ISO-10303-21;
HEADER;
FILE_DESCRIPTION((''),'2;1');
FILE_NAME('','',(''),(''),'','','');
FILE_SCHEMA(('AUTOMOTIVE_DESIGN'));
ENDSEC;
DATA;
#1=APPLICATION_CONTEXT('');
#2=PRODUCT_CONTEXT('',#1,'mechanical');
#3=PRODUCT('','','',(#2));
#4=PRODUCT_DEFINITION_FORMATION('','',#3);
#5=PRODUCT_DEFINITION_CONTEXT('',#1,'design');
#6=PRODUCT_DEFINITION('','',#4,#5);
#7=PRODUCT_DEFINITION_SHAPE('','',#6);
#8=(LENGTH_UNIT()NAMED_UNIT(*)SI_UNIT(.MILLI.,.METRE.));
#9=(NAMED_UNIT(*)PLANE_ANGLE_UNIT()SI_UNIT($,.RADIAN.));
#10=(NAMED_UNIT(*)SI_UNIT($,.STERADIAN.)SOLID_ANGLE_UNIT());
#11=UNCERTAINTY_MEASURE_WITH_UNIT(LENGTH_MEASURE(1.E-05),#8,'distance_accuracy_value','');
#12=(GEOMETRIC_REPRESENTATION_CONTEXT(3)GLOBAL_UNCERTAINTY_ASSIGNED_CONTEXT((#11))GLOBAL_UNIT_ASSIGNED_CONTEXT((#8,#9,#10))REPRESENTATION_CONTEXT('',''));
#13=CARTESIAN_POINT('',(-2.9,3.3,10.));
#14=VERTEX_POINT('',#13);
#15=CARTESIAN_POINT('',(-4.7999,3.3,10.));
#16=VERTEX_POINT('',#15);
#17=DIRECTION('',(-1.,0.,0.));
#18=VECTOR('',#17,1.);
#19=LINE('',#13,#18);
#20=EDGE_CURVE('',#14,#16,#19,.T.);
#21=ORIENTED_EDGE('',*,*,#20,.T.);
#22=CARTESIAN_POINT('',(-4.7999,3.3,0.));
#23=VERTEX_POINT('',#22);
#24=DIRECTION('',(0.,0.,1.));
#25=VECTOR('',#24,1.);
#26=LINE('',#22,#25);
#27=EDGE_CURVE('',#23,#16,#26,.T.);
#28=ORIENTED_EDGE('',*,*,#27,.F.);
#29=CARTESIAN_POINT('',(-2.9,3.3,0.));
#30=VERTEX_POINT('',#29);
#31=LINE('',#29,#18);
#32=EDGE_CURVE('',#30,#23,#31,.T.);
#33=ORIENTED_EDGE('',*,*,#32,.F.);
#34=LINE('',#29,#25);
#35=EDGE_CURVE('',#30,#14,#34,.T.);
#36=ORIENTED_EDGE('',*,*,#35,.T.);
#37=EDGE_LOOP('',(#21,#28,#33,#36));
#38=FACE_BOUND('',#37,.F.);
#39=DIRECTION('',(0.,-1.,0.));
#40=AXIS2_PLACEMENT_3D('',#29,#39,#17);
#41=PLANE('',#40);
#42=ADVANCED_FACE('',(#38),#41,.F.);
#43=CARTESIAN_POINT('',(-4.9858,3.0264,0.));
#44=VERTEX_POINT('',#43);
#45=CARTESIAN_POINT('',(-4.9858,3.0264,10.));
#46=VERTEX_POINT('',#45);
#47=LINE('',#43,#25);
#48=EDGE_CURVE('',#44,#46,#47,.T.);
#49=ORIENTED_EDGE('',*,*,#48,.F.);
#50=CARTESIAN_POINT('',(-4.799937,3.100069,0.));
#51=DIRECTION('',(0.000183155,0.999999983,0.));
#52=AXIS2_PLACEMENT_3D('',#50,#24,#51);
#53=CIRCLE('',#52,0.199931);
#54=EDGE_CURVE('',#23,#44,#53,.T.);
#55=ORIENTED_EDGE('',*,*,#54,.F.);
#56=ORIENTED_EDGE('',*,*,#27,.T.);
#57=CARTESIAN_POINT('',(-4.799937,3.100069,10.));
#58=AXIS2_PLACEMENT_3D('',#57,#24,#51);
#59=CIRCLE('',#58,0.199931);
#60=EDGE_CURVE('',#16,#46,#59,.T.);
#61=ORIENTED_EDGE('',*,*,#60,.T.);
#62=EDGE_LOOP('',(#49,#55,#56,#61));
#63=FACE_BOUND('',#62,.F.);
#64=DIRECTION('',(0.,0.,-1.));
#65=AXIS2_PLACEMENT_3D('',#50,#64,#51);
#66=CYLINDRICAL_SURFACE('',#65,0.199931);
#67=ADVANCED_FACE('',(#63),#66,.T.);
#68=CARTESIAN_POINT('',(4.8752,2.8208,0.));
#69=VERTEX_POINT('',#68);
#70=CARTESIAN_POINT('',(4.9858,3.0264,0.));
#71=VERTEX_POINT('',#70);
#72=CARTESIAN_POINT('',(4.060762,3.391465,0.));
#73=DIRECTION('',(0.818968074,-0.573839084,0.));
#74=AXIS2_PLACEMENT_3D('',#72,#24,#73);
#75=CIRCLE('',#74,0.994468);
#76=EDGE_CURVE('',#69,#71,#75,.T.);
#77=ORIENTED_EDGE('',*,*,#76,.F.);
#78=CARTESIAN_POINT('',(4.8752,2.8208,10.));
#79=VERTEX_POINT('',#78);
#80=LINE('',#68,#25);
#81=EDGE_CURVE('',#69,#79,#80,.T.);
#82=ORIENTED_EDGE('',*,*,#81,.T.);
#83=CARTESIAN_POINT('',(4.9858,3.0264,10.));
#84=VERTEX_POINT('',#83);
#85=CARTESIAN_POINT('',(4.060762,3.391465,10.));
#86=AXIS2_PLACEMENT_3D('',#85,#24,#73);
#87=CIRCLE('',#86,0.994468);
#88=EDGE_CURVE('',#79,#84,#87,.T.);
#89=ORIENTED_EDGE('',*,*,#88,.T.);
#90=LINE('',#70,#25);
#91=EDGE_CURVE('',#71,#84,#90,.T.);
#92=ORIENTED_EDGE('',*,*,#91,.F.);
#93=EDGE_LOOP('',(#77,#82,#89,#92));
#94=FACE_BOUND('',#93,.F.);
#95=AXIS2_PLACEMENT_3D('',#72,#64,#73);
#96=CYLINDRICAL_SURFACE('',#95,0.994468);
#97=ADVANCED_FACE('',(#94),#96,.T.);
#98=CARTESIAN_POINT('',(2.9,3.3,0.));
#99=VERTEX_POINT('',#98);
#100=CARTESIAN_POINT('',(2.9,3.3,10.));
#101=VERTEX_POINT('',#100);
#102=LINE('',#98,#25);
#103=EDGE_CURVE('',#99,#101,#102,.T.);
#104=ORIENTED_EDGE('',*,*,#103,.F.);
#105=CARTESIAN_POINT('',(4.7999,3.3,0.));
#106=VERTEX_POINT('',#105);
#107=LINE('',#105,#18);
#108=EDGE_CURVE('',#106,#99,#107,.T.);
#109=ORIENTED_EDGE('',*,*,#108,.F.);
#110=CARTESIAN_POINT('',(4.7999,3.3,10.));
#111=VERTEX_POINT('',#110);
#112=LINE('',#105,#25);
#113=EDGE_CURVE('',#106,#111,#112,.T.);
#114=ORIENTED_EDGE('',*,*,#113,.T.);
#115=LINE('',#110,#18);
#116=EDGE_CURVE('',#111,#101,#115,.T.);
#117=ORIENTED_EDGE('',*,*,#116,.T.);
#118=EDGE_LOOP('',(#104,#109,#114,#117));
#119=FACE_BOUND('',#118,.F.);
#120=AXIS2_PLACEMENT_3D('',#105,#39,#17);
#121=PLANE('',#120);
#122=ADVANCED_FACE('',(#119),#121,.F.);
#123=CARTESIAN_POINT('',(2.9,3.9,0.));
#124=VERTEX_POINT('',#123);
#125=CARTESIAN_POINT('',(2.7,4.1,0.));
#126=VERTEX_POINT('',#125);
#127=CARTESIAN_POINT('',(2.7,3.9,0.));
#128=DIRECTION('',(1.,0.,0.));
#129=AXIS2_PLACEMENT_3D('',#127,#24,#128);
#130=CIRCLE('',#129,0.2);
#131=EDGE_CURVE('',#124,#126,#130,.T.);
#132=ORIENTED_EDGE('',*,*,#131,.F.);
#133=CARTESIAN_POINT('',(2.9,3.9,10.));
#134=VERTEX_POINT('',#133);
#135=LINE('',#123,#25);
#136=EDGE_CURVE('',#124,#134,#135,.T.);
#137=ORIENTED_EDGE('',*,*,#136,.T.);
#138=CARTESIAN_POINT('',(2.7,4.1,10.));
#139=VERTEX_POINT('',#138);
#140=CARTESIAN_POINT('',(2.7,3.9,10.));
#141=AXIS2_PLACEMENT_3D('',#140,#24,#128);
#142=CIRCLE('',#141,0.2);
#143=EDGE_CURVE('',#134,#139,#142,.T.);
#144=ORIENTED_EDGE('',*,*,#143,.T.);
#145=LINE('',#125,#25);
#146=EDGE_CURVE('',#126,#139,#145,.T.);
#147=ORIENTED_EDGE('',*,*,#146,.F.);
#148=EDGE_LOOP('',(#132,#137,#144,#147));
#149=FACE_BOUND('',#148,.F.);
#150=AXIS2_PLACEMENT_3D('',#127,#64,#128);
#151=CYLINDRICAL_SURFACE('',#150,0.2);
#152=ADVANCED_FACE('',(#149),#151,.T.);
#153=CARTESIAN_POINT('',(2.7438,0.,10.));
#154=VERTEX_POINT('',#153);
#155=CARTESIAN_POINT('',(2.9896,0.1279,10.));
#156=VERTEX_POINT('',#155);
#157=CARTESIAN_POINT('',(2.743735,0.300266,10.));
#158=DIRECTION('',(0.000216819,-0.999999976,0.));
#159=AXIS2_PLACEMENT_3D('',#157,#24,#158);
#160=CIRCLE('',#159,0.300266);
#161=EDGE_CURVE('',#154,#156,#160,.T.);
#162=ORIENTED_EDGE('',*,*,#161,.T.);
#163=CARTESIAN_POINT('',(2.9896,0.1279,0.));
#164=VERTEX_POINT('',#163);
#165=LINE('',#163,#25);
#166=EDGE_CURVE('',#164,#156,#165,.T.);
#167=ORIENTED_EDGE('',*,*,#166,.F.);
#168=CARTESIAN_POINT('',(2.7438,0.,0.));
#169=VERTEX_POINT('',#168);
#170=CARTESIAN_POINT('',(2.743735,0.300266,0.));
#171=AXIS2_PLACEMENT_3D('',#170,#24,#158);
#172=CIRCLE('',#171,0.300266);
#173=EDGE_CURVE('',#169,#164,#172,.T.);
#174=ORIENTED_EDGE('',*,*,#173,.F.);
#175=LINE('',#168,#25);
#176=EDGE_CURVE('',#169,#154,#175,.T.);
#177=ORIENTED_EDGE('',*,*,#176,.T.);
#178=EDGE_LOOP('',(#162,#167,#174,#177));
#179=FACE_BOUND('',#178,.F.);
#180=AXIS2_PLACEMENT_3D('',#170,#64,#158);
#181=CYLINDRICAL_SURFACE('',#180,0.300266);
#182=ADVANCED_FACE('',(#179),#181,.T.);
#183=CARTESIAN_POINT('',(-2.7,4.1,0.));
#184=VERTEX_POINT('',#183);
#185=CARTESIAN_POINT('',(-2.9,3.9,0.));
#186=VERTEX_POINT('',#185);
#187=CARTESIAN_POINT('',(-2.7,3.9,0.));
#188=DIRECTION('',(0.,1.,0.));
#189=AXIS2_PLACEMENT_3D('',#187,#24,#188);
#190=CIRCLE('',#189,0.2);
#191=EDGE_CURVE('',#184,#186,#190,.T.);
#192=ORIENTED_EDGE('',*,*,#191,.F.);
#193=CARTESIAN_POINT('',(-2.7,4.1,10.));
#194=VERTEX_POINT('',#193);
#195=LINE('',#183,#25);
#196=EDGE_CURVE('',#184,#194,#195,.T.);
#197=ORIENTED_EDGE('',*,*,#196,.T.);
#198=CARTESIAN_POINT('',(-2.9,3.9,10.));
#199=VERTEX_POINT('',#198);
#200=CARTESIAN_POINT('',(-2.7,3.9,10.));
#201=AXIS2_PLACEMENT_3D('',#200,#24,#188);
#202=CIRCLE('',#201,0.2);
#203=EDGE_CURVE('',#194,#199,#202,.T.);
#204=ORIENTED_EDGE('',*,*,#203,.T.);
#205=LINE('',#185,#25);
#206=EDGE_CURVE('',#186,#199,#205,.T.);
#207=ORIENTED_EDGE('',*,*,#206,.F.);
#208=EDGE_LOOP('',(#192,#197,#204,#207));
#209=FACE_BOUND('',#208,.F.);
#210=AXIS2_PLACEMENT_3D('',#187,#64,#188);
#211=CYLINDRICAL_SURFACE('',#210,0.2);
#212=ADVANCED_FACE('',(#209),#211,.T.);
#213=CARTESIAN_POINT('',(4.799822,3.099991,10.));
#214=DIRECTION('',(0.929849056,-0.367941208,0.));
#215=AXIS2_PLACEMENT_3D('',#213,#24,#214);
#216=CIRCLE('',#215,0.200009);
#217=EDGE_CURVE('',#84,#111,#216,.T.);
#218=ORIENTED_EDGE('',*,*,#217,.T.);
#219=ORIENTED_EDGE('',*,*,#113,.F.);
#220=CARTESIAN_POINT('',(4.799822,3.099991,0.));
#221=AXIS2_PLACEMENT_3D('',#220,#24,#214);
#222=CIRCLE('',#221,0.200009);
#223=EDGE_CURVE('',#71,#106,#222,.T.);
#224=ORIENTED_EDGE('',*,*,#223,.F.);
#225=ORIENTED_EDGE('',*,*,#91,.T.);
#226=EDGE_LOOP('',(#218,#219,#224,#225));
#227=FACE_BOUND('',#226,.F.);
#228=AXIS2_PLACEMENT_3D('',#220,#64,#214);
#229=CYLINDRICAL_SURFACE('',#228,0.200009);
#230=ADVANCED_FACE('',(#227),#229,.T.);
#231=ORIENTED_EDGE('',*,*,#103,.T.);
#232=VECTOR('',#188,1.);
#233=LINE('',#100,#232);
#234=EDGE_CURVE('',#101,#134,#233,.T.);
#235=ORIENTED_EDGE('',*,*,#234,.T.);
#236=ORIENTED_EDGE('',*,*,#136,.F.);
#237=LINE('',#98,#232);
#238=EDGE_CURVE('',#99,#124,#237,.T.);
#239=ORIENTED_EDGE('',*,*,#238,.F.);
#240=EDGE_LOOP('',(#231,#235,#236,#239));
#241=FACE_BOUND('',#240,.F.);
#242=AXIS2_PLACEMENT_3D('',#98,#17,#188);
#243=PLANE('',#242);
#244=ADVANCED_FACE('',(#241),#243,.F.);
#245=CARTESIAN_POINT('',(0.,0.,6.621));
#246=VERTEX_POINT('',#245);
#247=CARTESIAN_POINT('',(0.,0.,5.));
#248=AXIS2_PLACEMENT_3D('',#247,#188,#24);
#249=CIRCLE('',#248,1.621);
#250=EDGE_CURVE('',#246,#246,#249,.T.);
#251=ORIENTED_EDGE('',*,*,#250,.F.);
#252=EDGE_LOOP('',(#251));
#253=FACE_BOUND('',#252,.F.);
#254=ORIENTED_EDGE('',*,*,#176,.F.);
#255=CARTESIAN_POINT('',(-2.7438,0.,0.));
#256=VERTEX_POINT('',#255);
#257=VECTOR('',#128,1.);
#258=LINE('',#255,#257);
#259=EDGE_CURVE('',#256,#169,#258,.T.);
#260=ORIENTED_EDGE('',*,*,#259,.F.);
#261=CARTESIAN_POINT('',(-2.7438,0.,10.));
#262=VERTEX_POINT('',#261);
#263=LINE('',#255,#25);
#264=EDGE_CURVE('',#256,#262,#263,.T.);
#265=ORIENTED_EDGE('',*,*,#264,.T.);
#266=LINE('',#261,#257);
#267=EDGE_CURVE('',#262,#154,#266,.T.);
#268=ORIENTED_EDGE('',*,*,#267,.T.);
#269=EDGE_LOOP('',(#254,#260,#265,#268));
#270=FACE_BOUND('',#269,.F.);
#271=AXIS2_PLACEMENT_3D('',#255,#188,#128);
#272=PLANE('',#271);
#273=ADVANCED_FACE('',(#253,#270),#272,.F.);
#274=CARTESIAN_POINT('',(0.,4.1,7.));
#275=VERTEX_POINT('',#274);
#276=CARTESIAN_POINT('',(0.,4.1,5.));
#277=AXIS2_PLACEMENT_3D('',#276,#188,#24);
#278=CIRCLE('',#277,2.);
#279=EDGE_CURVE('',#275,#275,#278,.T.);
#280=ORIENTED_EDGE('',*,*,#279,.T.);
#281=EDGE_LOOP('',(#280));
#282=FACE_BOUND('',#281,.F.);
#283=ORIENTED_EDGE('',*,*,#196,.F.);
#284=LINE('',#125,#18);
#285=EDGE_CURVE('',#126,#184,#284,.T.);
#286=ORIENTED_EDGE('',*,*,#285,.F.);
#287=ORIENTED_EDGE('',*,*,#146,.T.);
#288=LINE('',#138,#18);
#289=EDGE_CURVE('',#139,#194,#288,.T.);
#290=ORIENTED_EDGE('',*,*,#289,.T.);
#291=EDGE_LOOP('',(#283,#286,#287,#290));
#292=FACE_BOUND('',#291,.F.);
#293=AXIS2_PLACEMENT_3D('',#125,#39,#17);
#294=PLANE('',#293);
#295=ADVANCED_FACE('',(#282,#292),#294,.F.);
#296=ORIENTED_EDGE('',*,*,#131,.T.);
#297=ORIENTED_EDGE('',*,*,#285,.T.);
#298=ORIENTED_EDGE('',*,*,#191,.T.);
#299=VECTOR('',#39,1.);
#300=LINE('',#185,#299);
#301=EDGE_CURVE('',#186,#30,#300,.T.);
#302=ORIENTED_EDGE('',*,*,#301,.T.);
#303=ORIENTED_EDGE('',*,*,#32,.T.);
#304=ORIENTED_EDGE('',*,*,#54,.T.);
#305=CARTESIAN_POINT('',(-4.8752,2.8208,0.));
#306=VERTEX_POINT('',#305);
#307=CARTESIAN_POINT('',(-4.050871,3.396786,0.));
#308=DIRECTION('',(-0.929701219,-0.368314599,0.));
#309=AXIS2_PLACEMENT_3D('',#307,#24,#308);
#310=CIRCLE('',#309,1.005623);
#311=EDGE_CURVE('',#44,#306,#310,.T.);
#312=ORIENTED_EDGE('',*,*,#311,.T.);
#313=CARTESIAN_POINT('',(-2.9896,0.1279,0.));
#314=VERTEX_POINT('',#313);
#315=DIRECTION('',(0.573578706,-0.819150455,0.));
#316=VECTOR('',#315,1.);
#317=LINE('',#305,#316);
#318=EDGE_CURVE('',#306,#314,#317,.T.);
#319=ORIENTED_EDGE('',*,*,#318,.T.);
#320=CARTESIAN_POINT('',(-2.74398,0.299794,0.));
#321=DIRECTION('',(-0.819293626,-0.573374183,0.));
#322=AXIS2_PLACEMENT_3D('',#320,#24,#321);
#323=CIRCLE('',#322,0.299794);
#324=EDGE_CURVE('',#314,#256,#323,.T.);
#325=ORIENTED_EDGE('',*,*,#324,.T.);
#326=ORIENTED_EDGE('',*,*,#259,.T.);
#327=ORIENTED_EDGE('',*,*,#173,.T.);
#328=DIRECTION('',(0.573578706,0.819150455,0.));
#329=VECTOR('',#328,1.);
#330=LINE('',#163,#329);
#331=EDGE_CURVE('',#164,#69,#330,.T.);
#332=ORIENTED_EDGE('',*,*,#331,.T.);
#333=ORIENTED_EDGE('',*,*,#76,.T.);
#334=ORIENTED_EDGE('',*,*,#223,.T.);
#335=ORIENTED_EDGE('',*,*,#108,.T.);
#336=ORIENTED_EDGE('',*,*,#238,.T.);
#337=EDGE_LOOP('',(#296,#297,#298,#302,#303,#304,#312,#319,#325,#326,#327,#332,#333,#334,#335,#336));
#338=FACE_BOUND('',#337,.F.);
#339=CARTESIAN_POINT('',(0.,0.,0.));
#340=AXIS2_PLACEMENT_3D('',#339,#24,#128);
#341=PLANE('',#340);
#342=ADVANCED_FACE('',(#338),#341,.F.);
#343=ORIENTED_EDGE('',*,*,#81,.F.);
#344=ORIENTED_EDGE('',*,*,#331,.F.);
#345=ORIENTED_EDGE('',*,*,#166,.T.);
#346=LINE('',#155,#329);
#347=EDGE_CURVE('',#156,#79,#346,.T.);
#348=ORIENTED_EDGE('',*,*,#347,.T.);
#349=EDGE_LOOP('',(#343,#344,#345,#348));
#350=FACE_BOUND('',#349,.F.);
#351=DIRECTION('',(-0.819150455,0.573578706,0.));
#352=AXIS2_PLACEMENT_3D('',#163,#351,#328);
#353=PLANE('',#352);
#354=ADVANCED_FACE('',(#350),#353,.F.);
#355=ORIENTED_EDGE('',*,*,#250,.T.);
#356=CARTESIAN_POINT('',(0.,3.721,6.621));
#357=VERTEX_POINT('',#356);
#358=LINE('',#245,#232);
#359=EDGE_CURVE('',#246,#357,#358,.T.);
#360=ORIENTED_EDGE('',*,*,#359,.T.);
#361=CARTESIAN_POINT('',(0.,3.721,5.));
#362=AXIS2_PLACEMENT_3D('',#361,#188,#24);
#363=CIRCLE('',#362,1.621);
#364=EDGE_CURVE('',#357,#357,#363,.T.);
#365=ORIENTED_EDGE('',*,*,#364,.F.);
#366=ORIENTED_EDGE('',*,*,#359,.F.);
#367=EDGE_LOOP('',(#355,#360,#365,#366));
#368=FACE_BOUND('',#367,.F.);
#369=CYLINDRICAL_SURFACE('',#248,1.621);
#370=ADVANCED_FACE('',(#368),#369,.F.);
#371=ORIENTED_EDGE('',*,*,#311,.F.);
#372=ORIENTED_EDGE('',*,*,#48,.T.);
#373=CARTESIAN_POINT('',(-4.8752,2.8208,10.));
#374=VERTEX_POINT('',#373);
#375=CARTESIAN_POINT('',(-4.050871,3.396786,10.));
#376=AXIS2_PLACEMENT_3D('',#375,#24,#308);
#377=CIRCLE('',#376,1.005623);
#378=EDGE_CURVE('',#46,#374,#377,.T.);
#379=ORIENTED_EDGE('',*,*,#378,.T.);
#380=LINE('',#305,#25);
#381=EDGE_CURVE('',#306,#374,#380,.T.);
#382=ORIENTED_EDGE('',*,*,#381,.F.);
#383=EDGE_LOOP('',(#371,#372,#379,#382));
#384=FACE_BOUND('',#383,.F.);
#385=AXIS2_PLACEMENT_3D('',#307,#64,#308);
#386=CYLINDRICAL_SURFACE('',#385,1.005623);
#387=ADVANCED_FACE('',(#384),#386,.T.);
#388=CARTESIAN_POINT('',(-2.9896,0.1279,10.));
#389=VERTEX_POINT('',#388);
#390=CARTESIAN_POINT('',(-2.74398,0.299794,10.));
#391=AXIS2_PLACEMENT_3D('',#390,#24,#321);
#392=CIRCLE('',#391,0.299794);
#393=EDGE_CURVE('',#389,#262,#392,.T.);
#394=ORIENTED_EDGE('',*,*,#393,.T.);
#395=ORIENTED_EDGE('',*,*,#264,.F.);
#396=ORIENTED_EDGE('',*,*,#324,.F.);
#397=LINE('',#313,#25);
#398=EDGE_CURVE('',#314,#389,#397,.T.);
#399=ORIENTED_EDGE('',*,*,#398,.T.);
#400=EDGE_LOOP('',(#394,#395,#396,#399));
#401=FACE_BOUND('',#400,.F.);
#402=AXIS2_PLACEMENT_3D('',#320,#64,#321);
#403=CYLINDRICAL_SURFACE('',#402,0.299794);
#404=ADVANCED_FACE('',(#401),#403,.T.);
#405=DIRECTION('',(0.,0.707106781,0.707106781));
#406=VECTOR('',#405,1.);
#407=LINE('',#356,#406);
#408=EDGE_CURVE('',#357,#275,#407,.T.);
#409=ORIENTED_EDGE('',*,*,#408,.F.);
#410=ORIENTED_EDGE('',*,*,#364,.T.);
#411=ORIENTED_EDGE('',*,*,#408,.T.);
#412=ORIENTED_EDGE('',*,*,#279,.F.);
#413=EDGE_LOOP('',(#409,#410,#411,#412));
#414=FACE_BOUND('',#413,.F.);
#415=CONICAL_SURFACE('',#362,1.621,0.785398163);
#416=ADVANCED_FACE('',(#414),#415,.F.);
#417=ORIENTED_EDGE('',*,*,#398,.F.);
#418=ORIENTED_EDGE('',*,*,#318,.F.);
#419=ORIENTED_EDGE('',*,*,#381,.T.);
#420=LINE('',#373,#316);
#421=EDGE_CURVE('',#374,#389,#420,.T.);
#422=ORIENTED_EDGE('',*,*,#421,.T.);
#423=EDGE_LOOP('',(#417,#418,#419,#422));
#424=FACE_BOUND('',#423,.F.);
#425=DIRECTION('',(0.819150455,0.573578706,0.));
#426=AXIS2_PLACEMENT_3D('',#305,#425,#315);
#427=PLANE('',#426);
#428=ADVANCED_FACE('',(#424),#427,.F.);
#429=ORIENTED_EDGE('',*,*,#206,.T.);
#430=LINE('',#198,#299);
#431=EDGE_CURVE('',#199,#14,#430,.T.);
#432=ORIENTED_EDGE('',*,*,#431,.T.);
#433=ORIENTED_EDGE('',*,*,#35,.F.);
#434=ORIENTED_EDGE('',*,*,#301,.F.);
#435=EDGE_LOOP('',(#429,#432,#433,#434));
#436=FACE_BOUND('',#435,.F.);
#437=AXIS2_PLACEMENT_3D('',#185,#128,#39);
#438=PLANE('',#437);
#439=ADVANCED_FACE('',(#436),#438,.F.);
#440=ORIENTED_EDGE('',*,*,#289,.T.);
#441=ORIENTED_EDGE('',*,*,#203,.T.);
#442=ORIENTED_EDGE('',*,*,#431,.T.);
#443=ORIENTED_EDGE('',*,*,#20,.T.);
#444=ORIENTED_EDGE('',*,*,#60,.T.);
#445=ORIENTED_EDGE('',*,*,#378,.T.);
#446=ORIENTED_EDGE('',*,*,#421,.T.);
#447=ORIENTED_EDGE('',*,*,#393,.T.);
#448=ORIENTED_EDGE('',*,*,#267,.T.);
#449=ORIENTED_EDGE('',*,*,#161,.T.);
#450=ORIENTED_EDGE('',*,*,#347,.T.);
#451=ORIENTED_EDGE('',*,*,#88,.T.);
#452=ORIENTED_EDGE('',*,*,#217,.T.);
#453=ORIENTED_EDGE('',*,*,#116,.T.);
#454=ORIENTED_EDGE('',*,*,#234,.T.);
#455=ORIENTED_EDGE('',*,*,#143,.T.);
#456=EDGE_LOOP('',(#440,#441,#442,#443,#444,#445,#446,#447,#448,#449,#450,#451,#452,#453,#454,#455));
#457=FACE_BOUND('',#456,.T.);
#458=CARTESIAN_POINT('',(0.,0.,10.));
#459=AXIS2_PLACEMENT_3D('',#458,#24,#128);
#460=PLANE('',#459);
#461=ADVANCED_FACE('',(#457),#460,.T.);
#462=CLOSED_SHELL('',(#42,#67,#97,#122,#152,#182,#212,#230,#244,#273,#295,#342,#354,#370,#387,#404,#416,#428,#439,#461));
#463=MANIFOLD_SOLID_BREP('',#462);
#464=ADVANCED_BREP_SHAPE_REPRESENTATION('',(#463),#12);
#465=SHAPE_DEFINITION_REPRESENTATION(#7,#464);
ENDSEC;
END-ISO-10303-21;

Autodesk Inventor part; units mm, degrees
ref_plane "YZ Plane" through (0, 0, 0) normal (1, 0, 0) x (0, 1, 0)
ref_plane "XZ Plane" through (0, 0, 0) normal (0, 1, 0) x (-1, 0, 0)
ref_plane "XY Plane" through (0, 0, 0) normal (0, 0, 1) x (1, 0, 0)
sketch "Sketch_1" plane through (0, 0, 0) normal (0, 0, 1) x (1, 0, 0)
  arc A0 (-4.7999, 3.3) -> (-4.9858, 3.0264) centre (-4.7999, 3.1) ccw
  arc A1 (-4.9858, 3.0264) -> (-4.8752, 2.8208) centre (-4.056, 3.3944) ccw
  line L0 (-4.8752, 2.8208) -> (-2.9896, 0.1279)
  arc A2 (-2.9896, 0.1279) -> (-2.7438, 0) centre (-2.7438, 0.3) ccw
  line L1 (-2.7438, 0) -> (2.7438, 0)
  arc A3 (2.7438, 0) -> (2.9896, 0.1279) centre (2.7438, 0.3) ccw
  line L2 (2.9896, 0.1279) -> (4.8752, 2.8208)
  arc A4 (4.8752, 2.8208) -> (4.9858, 3.0264) centre (4.056, 3.3944) ccw
  arc A5 (4.9858, 3.0264) -> (4.7999, 3.3) centre (4.7999, 3.1) ccw
  line L3 (4.7999, 3.3) -> (2.9, 3.3)
  line L4 (2.9, 3.3) -> (2.9, 3.9)
  arc A6 (2.9, 3.9) -> (2.7, 4.1) centre (2.7, 3.9) ccw
  line L5 (2.7, 4.1) -> (-2.7, 4.1)
  arc A7 (-2.7, 4.1) -> (-2.9, 3.9) centre (-2.7, 3.9) ccw
  line L6 (-2.9, 3.9) -> (-2.9, 3.3)
  line L7 (-2.9, 3.3) -> (-4.7999, 3.3)
extrude "Extrusion1" add sketch "Sketch_1" along normal blind 10
sketch "Sketch_2" plane through (0, 0, 0) normal (1, 0, 0) x (0, 0, -1)
  line L0 (-5, 4.1) -> (-5, 0)
  line L1 (-5, 0) -> (-6.621, 0)
  line L2 (-6.621, 0) -> (-6.621, 3.721)
  line L3 (-6.621, 3.721) -> (-7, 4.1)
  line L4 (-7, 4.1) -> (-5, 4.1)
  line L5 (-5, 4.1) -> (-5, 0)
revolve "Revolution1" cut sketch "Sketch_2" angle 360 about axis through (0, 4.1, 5) along (0, 1, 0)
thread "Thread1" size "M4x0.7" class "6H" standard "ISO Metric profile" full length
properties part number "PACK-HNTT5-4"
